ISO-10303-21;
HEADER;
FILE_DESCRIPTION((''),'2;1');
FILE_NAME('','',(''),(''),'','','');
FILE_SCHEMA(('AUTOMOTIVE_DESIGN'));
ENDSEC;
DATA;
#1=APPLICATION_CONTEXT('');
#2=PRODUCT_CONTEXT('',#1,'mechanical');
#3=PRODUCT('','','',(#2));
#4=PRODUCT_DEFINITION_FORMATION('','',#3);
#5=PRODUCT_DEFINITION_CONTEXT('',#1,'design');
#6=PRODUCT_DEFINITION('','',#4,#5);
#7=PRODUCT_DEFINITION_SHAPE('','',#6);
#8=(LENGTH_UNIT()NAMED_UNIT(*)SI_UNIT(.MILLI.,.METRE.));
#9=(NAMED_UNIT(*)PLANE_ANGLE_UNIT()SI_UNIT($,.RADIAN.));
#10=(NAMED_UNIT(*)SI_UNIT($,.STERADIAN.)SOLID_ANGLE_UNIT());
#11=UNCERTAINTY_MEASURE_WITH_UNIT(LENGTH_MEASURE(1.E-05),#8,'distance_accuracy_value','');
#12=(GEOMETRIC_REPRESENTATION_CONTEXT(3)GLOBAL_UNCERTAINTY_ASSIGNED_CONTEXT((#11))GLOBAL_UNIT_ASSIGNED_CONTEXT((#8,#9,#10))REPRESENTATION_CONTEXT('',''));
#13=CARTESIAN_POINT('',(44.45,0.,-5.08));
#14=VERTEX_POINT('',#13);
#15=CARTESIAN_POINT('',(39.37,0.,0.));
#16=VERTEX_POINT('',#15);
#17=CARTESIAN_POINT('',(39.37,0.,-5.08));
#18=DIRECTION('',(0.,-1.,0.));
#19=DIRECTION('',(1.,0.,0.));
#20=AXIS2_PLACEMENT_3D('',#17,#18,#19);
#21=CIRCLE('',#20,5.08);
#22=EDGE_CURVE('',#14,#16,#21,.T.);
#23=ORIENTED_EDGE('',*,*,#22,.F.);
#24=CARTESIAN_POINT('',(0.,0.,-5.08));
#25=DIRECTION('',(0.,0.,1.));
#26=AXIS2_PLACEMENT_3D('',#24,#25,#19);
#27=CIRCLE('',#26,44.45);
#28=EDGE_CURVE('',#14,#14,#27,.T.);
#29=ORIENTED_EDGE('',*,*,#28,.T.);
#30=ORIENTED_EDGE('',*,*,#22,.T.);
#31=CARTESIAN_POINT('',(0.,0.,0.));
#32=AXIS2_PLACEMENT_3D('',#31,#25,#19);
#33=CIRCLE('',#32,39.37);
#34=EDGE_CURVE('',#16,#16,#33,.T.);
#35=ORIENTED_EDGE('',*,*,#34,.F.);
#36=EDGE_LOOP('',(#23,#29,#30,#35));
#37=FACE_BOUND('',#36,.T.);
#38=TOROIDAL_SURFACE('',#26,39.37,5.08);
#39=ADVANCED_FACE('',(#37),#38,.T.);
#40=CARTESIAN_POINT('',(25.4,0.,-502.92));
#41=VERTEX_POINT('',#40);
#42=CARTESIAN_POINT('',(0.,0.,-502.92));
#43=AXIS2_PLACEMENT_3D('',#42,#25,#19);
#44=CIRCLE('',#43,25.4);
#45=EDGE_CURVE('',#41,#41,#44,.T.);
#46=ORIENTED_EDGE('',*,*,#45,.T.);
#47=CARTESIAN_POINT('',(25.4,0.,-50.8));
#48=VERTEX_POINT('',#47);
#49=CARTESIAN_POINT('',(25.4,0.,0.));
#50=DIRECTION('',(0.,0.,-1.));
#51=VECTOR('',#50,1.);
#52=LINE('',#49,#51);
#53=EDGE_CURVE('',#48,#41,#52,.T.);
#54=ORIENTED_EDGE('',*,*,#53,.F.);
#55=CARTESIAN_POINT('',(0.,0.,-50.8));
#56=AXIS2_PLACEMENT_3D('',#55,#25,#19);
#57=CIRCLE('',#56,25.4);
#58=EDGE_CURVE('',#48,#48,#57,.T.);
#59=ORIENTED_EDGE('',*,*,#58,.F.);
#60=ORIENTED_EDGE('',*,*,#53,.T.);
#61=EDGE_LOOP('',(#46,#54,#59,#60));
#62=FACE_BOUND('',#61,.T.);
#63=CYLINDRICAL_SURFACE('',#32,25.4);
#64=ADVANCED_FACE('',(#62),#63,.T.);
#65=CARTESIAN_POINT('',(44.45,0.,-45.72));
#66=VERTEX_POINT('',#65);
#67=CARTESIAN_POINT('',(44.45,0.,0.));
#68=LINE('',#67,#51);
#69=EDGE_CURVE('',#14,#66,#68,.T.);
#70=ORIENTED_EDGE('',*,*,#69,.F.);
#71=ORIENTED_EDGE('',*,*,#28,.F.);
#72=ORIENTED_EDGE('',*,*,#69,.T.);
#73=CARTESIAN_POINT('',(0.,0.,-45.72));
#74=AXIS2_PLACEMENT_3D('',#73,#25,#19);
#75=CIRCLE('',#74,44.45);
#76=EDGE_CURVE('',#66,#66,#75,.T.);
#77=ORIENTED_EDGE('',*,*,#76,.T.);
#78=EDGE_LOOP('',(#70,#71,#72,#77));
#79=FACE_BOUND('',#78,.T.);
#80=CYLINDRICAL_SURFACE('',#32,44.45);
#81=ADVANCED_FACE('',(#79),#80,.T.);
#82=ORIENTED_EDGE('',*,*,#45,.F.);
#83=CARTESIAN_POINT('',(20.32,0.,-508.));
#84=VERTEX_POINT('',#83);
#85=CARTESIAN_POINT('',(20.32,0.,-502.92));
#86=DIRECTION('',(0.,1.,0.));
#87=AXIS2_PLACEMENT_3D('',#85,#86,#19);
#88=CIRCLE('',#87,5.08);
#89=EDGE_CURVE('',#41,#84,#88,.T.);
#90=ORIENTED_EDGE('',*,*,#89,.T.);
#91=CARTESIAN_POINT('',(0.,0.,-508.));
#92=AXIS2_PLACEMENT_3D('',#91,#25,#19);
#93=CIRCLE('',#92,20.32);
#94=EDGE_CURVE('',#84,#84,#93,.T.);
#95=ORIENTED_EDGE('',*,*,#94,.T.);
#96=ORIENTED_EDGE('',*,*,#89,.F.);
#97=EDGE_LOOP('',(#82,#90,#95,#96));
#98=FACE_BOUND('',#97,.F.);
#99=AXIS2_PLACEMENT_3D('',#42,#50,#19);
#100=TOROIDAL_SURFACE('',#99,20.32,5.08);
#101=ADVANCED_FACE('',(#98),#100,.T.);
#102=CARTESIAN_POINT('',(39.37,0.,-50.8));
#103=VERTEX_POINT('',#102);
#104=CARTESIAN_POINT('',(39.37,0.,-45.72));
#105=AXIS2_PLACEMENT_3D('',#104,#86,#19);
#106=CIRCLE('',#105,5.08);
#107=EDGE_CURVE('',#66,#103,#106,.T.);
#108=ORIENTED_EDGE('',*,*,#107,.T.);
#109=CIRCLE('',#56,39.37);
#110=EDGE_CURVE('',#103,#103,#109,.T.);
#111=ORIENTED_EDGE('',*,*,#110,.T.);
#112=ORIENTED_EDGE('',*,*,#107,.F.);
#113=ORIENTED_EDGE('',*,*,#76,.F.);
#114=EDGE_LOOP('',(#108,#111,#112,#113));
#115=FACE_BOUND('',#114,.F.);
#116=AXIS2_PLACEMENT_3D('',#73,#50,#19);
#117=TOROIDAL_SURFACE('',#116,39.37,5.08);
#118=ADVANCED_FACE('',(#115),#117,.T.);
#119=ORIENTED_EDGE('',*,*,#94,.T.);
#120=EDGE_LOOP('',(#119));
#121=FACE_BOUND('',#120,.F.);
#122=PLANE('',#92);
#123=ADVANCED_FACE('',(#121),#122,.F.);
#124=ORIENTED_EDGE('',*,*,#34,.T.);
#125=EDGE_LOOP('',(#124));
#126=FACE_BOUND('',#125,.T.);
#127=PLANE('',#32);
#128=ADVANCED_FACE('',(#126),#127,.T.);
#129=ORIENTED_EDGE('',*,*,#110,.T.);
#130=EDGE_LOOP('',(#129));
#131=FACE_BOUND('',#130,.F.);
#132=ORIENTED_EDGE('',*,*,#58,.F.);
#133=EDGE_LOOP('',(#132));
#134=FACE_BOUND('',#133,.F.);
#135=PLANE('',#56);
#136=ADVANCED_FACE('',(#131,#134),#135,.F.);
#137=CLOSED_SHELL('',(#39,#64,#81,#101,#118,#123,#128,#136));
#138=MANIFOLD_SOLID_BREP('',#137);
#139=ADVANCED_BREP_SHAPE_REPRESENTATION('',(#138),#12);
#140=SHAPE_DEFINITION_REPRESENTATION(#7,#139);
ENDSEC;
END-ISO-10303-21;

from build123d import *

# Parameters (mm, degrees)
F0_R     = 25.4
F1_DEPTH = 508
F0_R_2   = 44.45
F2_DEPTH = 50.8
F3_R     = 5.08


with BuildPart() as f1:
    # F0 (on Top) → F1 (new body)
    with BuildSketch(Plane.XY):
        Circle(F0_R)
    extrude(amount=-F1_DEPTH)

    # F0 (on Top) → F2 (join)
    with BuildSketch(Plane.XY):
        Circle(F0_R_2)
        Circle(F0_R, mode=Mode.SUBTRACT)
    extrude(amount=-F2_DEPTH)

    # F3
    f3_edges = [f1.edges().sort_by_distance(p)[0] for p in [
        (-44.45, 0, -50.8),
        (-44.45, 0, 0),
        (-25.4, 0, -508),
    ]]
    fillet(f3_edges, radius=F3_R)


solid = f1.part
